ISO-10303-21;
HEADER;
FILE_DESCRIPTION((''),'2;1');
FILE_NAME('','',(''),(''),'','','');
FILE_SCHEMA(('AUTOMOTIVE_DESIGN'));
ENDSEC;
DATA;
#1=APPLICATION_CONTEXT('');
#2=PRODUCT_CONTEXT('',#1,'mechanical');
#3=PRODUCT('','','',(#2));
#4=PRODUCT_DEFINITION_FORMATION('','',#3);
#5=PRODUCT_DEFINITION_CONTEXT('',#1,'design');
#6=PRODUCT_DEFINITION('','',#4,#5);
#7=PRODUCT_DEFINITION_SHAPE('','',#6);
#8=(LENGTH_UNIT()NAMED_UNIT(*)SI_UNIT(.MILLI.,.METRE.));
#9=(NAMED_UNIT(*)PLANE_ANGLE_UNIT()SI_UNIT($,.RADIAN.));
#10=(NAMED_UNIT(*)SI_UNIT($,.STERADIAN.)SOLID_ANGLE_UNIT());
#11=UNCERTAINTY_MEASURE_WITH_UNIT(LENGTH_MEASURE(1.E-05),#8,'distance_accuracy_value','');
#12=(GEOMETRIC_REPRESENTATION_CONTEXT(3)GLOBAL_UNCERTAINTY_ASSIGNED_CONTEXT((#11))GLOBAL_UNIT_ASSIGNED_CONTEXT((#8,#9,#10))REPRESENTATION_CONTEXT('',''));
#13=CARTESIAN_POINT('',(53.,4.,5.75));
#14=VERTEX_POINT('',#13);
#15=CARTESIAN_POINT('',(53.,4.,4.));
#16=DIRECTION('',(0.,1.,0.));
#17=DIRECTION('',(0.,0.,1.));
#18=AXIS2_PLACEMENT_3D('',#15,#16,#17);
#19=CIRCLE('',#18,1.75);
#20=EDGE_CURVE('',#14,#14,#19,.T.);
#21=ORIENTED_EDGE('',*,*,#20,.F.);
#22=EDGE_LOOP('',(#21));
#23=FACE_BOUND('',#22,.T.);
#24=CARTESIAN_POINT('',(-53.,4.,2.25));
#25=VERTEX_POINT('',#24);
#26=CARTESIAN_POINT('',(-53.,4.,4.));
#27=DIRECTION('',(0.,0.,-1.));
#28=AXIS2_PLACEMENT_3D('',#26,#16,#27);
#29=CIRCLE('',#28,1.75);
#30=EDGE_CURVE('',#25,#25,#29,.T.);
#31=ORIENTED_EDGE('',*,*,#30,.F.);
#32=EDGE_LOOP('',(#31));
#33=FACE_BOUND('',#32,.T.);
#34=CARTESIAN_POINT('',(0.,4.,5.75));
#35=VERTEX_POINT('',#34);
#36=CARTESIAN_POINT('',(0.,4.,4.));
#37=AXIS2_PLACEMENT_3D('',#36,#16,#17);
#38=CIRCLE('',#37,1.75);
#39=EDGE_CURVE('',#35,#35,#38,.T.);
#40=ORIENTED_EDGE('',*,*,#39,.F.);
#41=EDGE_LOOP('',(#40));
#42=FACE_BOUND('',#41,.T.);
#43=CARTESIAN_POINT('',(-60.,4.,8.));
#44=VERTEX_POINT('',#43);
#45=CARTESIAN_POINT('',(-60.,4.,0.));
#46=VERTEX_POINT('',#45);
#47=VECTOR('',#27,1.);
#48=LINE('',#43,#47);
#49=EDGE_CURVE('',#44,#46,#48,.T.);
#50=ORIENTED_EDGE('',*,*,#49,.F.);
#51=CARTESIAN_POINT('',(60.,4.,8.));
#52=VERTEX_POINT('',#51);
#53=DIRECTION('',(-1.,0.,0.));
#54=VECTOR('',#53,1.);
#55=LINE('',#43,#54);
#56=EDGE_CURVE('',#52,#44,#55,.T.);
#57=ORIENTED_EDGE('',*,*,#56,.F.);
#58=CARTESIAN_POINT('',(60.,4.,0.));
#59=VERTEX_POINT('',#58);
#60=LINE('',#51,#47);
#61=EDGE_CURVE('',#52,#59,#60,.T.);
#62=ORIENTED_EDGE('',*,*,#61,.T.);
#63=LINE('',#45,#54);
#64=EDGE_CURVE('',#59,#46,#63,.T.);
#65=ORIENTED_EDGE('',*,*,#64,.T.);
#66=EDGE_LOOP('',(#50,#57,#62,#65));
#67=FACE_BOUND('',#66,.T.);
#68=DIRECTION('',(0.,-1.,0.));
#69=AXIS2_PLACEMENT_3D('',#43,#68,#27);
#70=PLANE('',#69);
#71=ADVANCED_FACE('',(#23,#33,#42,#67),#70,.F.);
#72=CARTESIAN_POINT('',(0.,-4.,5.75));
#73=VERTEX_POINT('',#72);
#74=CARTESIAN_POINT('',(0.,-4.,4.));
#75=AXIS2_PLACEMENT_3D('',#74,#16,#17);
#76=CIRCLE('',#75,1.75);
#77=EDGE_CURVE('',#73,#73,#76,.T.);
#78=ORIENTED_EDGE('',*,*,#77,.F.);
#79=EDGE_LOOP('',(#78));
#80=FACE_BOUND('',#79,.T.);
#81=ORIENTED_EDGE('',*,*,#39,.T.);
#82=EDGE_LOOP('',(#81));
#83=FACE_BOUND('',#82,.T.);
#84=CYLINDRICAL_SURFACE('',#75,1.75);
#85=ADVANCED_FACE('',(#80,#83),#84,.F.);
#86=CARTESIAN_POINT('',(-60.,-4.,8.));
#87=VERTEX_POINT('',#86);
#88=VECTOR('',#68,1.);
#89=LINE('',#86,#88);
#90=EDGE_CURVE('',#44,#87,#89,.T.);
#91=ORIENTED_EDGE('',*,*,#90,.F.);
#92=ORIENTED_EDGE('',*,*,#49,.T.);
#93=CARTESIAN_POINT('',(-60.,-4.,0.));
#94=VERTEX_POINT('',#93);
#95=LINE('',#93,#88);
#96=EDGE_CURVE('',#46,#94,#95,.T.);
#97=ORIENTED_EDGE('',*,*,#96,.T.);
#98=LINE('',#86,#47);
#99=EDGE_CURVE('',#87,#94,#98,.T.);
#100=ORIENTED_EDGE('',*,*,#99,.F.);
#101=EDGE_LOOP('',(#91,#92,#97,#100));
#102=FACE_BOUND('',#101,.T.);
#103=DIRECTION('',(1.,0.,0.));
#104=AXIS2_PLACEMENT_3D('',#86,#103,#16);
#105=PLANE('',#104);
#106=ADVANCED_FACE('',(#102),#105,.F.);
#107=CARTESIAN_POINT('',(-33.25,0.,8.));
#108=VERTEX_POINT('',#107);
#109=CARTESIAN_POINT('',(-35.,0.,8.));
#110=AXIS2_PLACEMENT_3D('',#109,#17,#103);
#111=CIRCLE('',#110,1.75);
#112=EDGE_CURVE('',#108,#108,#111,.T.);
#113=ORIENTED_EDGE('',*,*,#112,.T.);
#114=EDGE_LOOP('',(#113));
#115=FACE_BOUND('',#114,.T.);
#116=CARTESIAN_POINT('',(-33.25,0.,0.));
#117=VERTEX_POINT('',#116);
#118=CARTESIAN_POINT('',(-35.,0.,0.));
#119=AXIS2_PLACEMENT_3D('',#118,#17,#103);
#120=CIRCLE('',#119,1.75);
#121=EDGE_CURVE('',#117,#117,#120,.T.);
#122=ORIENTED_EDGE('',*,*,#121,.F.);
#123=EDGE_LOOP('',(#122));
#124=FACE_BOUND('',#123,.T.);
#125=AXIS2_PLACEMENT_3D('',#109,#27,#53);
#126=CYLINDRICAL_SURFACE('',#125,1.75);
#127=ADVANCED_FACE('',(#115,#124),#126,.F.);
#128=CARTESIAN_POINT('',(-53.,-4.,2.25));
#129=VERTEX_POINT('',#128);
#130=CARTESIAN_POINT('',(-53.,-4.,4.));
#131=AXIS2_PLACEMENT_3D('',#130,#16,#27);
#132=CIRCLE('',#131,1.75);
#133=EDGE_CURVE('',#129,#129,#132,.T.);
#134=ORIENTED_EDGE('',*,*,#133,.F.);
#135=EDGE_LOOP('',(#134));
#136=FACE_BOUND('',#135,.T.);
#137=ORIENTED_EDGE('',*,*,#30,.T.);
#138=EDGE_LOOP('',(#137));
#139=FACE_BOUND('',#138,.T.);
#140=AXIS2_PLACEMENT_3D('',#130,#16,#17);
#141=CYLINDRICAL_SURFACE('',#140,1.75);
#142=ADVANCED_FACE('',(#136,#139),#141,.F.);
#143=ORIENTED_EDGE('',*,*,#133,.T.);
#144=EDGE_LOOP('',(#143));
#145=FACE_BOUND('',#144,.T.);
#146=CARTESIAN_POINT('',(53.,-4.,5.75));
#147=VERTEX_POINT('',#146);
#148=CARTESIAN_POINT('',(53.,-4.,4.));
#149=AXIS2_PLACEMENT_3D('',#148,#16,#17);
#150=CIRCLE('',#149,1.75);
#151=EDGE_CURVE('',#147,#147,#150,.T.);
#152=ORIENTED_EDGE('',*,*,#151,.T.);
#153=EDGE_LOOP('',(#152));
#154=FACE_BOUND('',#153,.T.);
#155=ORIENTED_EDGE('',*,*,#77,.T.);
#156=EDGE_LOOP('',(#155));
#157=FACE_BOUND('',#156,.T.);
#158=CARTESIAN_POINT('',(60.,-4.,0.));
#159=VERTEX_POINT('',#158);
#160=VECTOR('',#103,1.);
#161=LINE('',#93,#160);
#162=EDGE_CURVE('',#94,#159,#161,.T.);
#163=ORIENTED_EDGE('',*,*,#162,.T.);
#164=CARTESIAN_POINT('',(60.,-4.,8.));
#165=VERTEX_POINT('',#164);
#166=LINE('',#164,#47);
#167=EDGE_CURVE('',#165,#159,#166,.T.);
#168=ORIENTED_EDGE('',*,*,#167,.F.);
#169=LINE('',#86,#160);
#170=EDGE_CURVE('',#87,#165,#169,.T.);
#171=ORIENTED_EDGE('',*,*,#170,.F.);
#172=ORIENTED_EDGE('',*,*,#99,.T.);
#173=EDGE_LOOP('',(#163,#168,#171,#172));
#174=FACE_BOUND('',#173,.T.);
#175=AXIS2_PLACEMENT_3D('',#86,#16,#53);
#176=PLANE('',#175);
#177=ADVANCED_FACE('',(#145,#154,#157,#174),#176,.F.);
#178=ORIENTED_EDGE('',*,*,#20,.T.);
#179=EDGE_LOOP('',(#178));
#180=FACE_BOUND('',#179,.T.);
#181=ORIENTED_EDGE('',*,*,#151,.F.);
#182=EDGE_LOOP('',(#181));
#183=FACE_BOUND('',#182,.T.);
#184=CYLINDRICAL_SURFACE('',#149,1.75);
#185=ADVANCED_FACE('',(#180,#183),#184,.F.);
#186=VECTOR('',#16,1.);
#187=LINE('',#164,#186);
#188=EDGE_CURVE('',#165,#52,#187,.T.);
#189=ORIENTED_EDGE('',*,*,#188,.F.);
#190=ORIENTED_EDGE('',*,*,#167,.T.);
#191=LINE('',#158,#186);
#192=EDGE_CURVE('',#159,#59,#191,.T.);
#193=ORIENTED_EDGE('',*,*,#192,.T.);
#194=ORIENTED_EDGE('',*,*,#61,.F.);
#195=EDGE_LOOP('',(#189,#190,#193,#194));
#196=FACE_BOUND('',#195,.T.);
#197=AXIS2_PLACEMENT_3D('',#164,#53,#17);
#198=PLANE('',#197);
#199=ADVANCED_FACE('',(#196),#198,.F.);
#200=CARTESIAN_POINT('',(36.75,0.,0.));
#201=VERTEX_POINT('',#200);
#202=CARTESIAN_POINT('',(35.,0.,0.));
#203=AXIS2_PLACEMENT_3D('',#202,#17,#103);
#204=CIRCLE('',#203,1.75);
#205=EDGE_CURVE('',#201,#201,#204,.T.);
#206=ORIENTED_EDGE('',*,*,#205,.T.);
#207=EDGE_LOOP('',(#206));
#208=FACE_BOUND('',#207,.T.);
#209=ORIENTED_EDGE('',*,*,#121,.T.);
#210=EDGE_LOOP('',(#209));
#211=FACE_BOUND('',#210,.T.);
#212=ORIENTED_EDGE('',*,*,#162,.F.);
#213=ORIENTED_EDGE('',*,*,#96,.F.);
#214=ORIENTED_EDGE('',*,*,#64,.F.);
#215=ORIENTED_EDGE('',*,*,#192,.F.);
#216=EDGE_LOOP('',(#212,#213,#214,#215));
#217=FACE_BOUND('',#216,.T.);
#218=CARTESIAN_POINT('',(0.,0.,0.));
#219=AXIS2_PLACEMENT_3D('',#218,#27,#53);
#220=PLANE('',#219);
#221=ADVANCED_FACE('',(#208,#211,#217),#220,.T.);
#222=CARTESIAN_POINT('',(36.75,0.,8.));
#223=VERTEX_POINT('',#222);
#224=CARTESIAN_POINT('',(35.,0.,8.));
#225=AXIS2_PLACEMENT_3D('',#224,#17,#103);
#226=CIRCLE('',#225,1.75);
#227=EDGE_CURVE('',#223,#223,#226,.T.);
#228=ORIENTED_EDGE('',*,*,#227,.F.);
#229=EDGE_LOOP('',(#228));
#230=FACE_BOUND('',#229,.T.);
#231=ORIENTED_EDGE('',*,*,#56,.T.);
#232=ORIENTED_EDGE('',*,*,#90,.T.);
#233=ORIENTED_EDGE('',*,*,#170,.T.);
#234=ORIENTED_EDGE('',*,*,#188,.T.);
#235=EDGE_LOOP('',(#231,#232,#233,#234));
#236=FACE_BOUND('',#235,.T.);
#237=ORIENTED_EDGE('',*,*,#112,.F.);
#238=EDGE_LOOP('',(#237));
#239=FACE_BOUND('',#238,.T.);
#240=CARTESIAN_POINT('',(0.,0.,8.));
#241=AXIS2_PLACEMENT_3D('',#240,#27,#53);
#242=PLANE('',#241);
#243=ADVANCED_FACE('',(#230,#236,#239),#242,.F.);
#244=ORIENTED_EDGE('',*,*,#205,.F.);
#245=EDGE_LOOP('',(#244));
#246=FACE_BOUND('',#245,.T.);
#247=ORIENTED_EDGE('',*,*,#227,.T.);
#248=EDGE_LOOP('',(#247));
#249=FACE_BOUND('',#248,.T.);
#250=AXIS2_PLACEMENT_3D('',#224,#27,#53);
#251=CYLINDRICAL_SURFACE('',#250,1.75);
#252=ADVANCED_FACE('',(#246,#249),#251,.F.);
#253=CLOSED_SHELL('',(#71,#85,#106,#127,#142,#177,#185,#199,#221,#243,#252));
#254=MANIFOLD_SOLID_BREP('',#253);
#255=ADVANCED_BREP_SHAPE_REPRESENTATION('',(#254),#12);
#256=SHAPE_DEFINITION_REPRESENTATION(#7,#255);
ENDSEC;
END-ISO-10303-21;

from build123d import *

# Parameters (mm, degrees)
SKIZZE1_W                       = 120
SKIZZE1_H                       = 8
SKIZZE1_R                       = 1.75
AUFSATZ_LINEAR_AUSTRAGEN1_DEPTH = 8
SKIZZE2_R                       = 1.75
SCHNITT_LINEAR_AUSTRAGEN1_DEPTH = 62.05735009


with BuildPart() as part:
    # Skizze1 → Aufsatz-Linear austragen1 (new body)
    with BuildSketch(Plane.XY):
        Rectangle(SKIZZE1_W, SKIZZE1_H)
        with Locations((-35, 0)):
            Circle(SKIZZE1_R, mode=Mode.SUBTRACT)
        with Locations((35, 0)):
            Circle(SKIZZE1_R, mode=Mode.SUBTRACT)
    extrude(amount=AUFSATZ_LINEAR_AUSTRAGEN1_DEPTH)

    # Skizze2 → Schnitt-Linear austragen1 (cut, through all)
    with BuildSketch(Plane(origin=(0, 4, 0), x_dir=(1, 0, 0), z_dir=(0, 1, 0))):
        with Locations(Location((53, -4, 0), (0, 0, 270))):
            Circle(SKIZZE2_R)
        with Locations(Location((-53, -4, 0), (0, 0, 90))):
            Circle(SKIZZE2_R)
        with Locations(Location((0, -4, 0), (0, 0, 270))):
            Circle(SKIZZE2_R)
    extrude(amount=-SCHNITT_LINEAR_AUSTRAGEN1_DEPTH, mode=Mode.SUBTRACT)


solid = part.part
